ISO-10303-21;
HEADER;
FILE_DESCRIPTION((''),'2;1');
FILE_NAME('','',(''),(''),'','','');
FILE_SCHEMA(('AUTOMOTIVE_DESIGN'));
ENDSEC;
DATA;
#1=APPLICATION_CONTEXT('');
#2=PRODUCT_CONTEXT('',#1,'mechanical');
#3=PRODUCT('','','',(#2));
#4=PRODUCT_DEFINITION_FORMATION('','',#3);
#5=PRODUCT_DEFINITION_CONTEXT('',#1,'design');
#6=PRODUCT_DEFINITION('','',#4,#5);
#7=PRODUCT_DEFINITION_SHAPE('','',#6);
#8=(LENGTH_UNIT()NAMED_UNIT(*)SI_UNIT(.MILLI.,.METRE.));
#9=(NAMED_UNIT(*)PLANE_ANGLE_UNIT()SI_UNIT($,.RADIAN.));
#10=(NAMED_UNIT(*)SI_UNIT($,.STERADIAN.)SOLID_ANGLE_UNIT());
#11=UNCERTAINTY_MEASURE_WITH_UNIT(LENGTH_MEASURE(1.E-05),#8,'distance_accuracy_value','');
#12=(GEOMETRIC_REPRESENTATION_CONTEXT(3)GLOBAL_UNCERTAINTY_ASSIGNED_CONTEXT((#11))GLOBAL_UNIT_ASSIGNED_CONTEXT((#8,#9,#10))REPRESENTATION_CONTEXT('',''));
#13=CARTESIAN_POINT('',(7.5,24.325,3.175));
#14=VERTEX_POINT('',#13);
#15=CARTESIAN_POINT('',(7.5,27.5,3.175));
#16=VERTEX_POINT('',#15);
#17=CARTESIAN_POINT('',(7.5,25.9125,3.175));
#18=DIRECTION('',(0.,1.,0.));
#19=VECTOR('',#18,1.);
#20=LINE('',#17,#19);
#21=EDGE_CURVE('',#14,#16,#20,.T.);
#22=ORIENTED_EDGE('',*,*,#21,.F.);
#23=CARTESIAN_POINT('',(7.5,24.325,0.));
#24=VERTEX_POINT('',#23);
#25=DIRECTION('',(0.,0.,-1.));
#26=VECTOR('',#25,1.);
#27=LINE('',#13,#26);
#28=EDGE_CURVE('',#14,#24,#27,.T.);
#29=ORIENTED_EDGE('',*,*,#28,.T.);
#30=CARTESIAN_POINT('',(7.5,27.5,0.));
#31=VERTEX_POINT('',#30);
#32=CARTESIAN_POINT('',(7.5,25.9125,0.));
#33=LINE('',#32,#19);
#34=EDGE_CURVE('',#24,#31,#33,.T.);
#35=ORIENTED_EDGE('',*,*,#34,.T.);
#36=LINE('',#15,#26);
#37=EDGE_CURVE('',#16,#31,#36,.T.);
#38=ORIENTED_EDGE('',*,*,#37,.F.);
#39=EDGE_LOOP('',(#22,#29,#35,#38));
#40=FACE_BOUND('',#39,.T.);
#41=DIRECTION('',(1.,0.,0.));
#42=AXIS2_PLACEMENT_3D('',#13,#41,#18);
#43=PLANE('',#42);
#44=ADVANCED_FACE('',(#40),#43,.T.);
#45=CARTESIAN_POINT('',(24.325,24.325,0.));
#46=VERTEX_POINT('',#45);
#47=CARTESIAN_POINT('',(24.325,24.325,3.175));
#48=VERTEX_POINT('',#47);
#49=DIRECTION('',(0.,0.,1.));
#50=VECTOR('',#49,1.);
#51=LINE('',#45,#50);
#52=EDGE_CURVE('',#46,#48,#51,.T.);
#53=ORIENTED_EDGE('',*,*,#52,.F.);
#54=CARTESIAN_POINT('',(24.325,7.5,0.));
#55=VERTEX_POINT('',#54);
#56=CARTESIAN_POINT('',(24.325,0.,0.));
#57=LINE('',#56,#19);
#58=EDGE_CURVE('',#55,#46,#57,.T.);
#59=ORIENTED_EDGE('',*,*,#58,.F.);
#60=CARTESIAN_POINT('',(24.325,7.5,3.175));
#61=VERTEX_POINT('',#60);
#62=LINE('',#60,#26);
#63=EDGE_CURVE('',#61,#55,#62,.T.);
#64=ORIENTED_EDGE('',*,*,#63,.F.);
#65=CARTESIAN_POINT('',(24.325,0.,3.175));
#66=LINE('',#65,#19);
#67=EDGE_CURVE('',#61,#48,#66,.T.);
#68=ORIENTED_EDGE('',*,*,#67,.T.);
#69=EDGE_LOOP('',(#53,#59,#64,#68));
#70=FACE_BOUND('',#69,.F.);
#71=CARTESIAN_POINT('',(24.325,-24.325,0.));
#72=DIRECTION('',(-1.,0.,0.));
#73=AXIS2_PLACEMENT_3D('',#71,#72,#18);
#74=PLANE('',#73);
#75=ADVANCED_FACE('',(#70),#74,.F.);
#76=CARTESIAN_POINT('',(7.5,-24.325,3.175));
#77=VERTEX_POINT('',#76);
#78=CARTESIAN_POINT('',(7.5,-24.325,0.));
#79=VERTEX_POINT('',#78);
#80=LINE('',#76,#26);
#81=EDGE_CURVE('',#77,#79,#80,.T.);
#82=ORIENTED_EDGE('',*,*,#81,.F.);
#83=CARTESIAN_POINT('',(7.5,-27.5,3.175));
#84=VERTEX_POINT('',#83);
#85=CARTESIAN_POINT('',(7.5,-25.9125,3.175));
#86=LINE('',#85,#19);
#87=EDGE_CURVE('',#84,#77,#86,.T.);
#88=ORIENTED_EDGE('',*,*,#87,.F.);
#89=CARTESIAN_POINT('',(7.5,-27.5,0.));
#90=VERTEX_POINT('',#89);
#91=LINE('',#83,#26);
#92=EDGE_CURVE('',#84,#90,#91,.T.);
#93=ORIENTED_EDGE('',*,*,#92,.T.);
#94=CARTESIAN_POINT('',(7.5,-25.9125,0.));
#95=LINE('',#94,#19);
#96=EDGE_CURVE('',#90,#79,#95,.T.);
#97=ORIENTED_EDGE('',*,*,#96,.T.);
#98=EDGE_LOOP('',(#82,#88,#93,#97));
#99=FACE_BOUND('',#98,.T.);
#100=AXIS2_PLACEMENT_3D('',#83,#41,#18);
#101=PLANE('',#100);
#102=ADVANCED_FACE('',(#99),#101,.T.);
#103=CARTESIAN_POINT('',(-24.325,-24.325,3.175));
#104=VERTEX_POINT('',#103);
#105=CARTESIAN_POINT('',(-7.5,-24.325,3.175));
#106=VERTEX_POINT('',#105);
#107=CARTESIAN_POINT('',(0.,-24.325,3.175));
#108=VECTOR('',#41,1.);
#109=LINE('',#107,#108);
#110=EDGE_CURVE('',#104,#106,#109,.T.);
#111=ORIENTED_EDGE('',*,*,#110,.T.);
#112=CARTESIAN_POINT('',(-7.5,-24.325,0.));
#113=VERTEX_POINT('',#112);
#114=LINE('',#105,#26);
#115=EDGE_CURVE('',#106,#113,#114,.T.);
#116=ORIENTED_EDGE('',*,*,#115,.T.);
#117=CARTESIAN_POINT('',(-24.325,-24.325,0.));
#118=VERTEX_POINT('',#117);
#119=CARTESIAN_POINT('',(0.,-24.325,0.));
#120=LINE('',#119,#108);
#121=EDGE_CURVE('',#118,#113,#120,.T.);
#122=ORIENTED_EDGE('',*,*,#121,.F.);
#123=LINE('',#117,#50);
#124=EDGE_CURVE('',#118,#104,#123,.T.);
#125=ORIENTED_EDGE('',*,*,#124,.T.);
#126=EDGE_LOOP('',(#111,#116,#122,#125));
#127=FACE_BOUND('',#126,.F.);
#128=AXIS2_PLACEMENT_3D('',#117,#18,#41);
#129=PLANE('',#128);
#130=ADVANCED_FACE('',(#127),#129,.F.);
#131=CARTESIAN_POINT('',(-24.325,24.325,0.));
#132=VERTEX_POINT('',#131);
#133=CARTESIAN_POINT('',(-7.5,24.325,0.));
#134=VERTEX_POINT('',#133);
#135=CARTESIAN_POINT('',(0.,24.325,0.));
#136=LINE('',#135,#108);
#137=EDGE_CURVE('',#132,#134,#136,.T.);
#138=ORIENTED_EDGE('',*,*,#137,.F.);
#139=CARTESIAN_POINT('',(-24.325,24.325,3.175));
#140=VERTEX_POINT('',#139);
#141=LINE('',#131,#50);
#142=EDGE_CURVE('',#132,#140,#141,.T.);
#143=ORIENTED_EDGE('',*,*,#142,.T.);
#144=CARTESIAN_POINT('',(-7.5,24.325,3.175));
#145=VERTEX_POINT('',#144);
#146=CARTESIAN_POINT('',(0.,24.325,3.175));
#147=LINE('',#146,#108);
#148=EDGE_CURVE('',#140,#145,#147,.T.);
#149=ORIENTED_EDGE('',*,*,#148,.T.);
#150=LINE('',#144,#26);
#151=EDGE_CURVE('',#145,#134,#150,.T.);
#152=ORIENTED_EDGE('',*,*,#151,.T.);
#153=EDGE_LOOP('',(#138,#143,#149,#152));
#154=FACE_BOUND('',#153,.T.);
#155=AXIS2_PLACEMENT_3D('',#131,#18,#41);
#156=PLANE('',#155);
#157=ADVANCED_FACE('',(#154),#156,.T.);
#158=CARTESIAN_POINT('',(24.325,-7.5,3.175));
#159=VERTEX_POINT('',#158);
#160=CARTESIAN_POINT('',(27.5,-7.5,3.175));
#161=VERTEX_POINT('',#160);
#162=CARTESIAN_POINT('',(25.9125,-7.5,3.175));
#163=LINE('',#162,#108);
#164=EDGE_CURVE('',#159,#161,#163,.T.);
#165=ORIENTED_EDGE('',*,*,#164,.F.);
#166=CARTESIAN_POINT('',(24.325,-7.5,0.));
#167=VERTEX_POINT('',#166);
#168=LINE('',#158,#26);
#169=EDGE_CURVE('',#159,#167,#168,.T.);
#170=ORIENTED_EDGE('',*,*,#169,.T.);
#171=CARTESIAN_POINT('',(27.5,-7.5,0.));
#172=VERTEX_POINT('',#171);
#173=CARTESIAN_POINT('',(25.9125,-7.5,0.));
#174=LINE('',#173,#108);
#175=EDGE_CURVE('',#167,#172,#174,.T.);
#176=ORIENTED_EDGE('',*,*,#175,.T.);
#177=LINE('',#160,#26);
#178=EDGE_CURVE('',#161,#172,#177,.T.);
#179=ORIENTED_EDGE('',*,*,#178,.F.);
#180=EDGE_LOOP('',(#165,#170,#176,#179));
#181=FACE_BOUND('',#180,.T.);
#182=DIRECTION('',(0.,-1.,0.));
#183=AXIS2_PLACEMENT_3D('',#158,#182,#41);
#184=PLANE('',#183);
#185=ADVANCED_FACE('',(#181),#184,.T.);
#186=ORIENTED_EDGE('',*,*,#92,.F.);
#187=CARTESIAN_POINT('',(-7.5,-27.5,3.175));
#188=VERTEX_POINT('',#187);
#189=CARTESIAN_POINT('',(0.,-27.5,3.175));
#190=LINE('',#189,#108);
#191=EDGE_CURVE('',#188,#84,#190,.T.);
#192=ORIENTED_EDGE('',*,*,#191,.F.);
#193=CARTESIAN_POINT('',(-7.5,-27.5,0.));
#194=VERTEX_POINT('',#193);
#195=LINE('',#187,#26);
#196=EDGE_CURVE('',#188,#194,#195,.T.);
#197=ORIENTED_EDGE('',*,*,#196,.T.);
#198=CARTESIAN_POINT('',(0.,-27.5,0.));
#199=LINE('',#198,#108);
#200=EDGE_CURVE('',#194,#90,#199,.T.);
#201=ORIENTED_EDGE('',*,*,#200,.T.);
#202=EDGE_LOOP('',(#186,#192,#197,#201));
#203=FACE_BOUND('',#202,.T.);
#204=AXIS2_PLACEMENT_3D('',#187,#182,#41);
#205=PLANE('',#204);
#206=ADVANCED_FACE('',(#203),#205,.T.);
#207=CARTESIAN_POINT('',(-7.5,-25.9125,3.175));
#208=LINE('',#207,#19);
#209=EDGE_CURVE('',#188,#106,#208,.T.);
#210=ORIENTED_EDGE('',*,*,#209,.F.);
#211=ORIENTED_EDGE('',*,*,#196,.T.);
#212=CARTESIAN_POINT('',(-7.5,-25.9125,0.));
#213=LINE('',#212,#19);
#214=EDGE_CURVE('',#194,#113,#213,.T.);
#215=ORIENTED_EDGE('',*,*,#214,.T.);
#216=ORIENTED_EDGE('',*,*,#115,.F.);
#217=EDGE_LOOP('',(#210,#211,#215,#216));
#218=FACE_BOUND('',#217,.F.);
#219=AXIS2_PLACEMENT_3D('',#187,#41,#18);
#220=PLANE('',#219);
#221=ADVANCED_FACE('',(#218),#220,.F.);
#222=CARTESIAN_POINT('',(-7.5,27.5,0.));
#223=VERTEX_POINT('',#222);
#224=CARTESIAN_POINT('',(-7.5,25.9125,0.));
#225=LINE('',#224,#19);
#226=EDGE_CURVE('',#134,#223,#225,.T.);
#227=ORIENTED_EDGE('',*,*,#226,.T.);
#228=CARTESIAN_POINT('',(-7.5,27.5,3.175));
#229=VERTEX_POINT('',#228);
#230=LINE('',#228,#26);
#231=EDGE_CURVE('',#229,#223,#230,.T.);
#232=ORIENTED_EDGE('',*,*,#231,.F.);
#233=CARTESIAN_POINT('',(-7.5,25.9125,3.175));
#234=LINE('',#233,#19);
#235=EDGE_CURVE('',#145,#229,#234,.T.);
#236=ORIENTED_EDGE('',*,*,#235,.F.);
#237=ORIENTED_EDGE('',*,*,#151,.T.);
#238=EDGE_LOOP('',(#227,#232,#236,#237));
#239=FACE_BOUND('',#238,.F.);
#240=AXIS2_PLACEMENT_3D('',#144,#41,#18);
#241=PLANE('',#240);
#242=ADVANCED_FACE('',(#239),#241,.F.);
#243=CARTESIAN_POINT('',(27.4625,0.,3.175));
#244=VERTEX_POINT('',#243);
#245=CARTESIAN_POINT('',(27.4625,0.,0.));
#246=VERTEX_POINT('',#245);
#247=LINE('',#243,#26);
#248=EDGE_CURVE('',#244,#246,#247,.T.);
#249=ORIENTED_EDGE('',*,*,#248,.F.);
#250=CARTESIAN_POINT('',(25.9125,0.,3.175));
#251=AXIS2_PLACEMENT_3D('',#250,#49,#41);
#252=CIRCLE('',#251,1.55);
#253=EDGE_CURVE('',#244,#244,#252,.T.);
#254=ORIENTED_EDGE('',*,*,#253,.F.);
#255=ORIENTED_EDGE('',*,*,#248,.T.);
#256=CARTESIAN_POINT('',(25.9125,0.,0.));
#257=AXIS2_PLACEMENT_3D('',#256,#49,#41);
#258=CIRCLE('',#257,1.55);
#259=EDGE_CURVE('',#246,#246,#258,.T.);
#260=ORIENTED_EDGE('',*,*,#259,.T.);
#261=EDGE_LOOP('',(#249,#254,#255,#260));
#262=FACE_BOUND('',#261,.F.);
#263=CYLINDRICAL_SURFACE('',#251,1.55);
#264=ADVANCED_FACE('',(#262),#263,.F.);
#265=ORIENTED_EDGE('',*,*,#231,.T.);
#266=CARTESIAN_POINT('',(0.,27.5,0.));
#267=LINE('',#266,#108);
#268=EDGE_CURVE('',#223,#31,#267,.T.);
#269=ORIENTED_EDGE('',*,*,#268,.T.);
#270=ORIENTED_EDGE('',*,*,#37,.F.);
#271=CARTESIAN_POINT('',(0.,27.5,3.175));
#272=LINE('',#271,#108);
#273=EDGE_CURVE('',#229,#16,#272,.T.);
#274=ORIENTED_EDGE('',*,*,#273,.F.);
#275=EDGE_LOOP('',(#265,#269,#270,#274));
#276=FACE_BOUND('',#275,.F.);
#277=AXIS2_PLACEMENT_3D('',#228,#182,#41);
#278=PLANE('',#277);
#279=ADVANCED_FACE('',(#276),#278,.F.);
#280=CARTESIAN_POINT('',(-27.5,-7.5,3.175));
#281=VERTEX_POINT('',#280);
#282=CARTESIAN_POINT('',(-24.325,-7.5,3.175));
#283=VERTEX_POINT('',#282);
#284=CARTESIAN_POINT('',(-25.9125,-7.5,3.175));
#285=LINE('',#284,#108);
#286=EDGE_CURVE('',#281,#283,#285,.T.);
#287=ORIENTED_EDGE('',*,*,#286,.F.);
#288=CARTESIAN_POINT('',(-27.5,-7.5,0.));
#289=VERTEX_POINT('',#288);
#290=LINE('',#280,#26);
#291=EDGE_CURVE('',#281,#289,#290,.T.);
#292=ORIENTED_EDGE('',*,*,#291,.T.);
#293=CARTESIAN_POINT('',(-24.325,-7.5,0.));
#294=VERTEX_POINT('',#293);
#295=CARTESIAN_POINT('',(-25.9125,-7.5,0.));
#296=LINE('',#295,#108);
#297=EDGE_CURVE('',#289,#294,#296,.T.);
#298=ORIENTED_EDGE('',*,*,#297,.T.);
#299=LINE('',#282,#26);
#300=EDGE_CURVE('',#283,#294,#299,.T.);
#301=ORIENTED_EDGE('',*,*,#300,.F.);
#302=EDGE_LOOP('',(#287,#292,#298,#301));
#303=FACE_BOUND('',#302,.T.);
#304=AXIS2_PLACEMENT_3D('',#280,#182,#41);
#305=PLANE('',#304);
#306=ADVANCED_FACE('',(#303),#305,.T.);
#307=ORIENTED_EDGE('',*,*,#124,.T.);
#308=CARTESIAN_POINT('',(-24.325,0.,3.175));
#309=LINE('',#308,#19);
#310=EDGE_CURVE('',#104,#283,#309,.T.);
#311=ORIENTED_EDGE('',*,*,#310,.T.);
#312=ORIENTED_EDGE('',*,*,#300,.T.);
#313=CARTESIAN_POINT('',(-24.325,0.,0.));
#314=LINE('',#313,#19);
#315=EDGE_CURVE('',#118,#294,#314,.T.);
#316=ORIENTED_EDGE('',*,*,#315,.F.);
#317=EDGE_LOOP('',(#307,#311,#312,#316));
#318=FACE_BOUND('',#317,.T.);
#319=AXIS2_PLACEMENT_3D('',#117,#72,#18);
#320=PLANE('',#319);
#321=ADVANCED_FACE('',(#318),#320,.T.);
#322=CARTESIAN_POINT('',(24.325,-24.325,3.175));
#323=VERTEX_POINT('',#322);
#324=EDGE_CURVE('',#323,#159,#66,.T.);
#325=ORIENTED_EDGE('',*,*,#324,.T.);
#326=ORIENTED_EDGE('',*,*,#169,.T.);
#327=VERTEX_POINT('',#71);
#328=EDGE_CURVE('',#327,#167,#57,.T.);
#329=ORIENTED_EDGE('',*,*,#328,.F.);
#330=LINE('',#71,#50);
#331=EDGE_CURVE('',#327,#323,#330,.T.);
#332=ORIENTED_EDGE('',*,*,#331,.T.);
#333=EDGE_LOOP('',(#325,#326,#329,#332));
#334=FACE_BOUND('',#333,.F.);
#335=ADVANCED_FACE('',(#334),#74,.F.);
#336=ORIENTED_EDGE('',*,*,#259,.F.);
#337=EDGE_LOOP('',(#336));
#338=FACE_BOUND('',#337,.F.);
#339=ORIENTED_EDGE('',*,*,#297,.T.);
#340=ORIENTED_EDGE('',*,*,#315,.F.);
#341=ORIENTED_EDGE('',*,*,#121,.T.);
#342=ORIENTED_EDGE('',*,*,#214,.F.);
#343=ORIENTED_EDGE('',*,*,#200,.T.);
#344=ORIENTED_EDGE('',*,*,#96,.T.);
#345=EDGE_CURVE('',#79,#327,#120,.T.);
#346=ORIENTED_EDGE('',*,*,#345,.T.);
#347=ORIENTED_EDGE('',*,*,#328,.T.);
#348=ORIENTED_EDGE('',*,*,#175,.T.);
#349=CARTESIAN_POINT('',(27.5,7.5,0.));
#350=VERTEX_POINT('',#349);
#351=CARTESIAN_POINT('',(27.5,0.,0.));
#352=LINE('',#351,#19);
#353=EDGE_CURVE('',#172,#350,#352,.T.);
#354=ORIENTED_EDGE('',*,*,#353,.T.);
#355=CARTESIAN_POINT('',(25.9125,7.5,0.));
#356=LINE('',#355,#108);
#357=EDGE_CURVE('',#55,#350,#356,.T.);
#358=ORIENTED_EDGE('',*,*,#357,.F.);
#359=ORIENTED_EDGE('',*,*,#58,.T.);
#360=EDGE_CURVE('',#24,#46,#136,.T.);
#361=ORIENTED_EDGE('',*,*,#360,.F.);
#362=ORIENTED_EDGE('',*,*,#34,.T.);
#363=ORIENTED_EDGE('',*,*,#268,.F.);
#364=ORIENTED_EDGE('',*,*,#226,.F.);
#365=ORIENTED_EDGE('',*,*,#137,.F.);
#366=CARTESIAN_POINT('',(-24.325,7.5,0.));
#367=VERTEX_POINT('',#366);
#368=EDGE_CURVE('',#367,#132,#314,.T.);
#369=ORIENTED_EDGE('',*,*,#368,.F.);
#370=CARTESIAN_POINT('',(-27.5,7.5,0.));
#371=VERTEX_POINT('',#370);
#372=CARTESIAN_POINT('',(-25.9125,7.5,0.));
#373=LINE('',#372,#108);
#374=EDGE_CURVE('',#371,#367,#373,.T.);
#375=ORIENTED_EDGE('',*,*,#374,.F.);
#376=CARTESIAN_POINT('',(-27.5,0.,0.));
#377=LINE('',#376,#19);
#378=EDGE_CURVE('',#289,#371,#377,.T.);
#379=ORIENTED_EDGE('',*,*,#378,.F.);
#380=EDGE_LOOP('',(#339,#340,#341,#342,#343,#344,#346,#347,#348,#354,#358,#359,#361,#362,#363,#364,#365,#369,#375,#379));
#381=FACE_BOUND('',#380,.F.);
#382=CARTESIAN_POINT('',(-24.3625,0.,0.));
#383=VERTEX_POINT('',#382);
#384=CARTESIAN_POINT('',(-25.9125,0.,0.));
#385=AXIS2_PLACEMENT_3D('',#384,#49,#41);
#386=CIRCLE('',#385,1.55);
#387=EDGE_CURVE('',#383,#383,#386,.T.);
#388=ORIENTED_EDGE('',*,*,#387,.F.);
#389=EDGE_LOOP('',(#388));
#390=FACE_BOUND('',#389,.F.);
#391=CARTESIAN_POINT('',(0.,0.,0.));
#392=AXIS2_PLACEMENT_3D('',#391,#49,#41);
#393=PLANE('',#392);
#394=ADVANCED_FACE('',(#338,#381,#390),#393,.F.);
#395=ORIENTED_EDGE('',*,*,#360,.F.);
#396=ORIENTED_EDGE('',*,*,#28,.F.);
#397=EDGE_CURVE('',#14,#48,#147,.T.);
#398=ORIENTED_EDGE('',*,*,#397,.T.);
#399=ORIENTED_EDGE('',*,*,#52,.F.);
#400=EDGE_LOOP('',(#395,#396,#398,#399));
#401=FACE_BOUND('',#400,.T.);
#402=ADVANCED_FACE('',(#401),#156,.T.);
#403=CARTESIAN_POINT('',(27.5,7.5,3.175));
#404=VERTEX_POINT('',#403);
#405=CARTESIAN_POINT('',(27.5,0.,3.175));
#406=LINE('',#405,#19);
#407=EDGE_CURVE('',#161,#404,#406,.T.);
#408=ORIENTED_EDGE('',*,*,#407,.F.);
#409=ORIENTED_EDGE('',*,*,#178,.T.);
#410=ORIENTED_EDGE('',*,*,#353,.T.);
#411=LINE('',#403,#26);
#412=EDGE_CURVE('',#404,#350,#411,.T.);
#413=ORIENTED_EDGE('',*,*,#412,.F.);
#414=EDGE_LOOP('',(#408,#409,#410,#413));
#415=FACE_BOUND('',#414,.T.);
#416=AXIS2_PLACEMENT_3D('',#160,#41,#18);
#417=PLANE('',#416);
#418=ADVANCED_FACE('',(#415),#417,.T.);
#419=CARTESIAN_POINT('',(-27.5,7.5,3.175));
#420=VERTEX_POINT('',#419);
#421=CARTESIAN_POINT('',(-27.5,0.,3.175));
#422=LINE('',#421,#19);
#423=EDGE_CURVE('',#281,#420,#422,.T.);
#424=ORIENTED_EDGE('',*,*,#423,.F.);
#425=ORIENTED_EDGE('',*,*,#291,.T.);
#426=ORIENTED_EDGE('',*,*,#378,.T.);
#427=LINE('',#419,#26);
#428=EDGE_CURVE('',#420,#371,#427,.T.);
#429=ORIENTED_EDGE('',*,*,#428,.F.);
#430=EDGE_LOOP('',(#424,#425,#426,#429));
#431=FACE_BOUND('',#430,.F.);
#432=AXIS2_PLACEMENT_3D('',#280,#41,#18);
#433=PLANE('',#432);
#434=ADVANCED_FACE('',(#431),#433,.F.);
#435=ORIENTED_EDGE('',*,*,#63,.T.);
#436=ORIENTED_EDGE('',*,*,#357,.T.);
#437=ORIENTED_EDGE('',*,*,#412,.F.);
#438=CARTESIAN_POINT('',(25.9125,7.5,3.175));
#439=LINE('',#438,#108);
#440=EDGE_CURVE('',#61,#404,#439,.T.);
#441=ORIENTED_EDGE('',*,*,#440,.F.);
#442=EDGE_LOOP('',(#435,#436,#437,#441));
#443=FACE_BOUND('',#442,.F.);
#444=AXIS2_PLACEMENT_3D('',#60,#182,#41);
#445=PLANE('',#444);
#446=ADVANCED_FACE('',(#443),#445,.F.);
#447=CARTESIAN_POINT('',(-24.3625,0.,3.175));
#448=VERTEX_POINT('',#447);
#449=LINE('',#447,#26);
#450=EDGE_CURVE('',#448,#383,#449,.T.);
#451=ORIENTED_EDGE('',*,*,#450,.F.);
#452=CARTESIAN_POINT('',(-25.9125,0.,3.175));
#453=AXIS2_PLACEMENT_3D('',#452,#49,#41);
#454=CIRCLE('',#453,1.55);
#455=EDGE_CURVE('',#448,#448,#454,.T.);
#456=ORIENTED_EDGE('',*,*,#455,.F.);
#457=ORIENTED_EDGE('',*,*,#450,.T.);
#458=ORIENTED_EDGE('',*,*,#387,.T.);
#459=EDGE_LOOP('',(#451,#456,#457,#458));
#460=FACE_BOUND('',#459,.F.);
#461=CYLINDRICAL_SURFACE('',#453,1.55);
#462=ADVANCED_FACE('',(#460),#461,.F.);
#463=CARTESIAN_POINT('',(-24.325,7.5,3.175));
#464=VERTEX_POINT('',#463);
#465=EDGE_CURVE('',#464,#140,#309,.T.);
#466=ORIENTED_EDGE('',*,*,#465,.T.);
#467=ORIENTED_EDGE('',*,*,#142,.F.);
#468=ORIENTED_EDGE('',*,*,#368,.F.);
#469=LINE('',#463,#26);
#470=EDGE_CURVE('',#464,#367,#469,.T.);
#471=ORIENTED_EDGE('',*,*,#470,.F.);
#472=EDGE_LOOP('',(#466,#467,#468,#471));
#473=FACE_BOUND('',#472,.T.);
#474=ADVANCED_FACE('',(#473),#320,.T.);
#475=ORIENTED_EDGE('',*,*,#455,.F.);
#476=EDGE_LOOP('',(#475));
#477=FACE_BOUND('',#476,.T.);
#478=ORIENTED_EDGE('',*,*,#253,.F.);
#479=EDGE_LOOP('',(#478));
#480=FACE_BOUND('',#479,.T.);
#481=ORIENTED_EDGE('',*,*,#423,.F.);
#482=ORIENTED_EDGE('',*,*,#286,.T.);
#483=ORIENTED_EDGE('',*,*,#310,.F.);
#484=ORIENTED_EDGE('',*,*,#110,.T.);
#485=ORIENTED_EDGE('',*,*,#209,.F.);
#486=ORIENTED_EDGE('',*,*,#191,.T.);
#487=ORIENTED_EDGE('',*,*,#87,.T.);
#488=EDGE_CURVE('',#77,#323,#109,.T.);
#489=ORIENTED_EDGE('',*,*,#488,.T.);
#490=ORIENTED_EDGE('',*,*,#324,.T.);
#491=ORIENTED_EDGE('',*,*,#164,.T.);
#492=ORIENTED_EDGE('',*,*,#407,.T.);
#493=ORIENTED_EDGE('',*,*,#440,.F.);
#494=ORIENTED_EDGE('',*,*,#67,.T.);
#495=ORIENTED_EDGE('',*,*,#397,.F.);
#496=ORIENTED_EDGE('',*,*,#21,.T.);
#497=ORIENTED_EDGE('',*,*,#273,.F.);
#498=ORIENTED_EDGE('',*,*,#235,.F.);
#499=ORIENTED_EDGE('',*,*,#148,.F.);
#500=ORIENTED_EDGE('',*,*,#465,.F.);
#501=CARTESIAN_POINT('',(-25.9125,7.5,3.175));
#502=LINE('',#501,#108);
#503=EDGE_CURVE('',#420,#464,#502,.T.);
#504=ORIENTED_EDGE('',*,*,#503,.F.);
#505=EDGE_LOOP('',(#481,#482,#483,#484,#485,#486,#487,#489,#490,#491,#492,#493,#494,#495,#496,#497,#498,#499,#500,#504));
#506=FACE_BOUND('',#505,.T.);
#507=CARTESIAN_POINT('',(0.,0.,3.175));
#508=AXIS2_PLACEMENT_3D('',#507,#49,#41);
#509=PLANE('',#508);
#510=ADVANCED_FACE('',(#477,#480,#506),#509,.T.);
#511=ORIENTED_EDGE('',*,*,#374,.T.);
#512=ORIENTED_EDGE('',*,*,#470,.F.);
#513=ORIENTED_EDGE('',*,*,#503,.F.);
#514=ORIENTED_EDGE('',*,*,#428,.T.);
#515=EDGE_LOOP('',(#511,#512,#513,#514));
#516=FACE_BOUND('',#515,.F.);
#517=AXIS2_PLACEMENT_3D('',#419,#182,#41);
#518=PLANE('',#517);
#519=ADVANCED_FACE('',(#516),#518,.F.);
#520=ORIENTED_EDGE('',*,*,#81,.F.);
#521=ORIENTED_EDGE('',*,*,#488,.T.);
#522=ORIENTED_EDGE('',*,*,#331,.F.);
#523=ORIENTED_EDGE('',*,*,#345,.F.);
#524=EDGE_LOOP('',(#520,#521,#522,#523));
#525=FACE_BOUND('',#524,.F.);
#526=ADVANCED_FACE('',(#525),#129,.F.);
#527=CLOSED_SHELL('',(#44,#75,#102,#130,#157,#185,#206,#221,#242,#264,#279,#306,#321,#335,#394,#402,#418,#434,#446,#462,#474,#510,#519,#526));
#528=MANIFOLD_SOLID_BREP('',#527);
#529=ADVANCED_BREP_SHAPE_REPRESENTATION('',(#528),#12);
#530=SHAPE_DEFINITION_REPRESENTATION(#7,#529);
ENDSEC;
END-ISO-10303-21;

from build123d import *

# Parameters (mm, degrees)
F1_W     = 48.65
F1_H     = 48.65
F2_DEPTH = 3.175
F3_W     = 3.175
F3_H     = 15
F3_W_2   = 15
F3_H_2   = 3.175
F4_DEPTH = 3.175
F5_R     = 1.55
F6_DEPTH = 3.176


with BuildPart() as f2:
    # F1 (on Top) → F2 (new body)
    with BuildSketch(Plane.XY):
        Rectangle(F1_W, F1_H)
    extrude(amount=F2_DEPTH)

    # F3 (on face) → F4 (join, through all)
    with BuildSketch(Plane.XY.offset(3.175)):
        with Locations((-25.9125, 0)):
            Rectangle(F3_W, F3_H)
        with Locations((0, 25.9125)):
            Rectangle(F3_W_2, F3_H_2)
        with Locations((0, -25.9125)):
            Rectangle(F3_W_2, F3_H_2)
        with Locations((25.9125, 0)):
            Rectangle(F3_W, F3_H)
    extrude(amount=-F4_DEPTH)

    # F5 (on face) → F6 (cut, through all)
    with BuildSketch(Plane.XY.offset(3.175)):
        with Locations((-25.9125, 0)):
            Circle(F5_R)
        with Locations((25.9125, 0)):
            Circle(F5_R)
    extrude(amount=-F6_DEPTH, mode=Mode.SUBTRACT)


solid = f2.part
